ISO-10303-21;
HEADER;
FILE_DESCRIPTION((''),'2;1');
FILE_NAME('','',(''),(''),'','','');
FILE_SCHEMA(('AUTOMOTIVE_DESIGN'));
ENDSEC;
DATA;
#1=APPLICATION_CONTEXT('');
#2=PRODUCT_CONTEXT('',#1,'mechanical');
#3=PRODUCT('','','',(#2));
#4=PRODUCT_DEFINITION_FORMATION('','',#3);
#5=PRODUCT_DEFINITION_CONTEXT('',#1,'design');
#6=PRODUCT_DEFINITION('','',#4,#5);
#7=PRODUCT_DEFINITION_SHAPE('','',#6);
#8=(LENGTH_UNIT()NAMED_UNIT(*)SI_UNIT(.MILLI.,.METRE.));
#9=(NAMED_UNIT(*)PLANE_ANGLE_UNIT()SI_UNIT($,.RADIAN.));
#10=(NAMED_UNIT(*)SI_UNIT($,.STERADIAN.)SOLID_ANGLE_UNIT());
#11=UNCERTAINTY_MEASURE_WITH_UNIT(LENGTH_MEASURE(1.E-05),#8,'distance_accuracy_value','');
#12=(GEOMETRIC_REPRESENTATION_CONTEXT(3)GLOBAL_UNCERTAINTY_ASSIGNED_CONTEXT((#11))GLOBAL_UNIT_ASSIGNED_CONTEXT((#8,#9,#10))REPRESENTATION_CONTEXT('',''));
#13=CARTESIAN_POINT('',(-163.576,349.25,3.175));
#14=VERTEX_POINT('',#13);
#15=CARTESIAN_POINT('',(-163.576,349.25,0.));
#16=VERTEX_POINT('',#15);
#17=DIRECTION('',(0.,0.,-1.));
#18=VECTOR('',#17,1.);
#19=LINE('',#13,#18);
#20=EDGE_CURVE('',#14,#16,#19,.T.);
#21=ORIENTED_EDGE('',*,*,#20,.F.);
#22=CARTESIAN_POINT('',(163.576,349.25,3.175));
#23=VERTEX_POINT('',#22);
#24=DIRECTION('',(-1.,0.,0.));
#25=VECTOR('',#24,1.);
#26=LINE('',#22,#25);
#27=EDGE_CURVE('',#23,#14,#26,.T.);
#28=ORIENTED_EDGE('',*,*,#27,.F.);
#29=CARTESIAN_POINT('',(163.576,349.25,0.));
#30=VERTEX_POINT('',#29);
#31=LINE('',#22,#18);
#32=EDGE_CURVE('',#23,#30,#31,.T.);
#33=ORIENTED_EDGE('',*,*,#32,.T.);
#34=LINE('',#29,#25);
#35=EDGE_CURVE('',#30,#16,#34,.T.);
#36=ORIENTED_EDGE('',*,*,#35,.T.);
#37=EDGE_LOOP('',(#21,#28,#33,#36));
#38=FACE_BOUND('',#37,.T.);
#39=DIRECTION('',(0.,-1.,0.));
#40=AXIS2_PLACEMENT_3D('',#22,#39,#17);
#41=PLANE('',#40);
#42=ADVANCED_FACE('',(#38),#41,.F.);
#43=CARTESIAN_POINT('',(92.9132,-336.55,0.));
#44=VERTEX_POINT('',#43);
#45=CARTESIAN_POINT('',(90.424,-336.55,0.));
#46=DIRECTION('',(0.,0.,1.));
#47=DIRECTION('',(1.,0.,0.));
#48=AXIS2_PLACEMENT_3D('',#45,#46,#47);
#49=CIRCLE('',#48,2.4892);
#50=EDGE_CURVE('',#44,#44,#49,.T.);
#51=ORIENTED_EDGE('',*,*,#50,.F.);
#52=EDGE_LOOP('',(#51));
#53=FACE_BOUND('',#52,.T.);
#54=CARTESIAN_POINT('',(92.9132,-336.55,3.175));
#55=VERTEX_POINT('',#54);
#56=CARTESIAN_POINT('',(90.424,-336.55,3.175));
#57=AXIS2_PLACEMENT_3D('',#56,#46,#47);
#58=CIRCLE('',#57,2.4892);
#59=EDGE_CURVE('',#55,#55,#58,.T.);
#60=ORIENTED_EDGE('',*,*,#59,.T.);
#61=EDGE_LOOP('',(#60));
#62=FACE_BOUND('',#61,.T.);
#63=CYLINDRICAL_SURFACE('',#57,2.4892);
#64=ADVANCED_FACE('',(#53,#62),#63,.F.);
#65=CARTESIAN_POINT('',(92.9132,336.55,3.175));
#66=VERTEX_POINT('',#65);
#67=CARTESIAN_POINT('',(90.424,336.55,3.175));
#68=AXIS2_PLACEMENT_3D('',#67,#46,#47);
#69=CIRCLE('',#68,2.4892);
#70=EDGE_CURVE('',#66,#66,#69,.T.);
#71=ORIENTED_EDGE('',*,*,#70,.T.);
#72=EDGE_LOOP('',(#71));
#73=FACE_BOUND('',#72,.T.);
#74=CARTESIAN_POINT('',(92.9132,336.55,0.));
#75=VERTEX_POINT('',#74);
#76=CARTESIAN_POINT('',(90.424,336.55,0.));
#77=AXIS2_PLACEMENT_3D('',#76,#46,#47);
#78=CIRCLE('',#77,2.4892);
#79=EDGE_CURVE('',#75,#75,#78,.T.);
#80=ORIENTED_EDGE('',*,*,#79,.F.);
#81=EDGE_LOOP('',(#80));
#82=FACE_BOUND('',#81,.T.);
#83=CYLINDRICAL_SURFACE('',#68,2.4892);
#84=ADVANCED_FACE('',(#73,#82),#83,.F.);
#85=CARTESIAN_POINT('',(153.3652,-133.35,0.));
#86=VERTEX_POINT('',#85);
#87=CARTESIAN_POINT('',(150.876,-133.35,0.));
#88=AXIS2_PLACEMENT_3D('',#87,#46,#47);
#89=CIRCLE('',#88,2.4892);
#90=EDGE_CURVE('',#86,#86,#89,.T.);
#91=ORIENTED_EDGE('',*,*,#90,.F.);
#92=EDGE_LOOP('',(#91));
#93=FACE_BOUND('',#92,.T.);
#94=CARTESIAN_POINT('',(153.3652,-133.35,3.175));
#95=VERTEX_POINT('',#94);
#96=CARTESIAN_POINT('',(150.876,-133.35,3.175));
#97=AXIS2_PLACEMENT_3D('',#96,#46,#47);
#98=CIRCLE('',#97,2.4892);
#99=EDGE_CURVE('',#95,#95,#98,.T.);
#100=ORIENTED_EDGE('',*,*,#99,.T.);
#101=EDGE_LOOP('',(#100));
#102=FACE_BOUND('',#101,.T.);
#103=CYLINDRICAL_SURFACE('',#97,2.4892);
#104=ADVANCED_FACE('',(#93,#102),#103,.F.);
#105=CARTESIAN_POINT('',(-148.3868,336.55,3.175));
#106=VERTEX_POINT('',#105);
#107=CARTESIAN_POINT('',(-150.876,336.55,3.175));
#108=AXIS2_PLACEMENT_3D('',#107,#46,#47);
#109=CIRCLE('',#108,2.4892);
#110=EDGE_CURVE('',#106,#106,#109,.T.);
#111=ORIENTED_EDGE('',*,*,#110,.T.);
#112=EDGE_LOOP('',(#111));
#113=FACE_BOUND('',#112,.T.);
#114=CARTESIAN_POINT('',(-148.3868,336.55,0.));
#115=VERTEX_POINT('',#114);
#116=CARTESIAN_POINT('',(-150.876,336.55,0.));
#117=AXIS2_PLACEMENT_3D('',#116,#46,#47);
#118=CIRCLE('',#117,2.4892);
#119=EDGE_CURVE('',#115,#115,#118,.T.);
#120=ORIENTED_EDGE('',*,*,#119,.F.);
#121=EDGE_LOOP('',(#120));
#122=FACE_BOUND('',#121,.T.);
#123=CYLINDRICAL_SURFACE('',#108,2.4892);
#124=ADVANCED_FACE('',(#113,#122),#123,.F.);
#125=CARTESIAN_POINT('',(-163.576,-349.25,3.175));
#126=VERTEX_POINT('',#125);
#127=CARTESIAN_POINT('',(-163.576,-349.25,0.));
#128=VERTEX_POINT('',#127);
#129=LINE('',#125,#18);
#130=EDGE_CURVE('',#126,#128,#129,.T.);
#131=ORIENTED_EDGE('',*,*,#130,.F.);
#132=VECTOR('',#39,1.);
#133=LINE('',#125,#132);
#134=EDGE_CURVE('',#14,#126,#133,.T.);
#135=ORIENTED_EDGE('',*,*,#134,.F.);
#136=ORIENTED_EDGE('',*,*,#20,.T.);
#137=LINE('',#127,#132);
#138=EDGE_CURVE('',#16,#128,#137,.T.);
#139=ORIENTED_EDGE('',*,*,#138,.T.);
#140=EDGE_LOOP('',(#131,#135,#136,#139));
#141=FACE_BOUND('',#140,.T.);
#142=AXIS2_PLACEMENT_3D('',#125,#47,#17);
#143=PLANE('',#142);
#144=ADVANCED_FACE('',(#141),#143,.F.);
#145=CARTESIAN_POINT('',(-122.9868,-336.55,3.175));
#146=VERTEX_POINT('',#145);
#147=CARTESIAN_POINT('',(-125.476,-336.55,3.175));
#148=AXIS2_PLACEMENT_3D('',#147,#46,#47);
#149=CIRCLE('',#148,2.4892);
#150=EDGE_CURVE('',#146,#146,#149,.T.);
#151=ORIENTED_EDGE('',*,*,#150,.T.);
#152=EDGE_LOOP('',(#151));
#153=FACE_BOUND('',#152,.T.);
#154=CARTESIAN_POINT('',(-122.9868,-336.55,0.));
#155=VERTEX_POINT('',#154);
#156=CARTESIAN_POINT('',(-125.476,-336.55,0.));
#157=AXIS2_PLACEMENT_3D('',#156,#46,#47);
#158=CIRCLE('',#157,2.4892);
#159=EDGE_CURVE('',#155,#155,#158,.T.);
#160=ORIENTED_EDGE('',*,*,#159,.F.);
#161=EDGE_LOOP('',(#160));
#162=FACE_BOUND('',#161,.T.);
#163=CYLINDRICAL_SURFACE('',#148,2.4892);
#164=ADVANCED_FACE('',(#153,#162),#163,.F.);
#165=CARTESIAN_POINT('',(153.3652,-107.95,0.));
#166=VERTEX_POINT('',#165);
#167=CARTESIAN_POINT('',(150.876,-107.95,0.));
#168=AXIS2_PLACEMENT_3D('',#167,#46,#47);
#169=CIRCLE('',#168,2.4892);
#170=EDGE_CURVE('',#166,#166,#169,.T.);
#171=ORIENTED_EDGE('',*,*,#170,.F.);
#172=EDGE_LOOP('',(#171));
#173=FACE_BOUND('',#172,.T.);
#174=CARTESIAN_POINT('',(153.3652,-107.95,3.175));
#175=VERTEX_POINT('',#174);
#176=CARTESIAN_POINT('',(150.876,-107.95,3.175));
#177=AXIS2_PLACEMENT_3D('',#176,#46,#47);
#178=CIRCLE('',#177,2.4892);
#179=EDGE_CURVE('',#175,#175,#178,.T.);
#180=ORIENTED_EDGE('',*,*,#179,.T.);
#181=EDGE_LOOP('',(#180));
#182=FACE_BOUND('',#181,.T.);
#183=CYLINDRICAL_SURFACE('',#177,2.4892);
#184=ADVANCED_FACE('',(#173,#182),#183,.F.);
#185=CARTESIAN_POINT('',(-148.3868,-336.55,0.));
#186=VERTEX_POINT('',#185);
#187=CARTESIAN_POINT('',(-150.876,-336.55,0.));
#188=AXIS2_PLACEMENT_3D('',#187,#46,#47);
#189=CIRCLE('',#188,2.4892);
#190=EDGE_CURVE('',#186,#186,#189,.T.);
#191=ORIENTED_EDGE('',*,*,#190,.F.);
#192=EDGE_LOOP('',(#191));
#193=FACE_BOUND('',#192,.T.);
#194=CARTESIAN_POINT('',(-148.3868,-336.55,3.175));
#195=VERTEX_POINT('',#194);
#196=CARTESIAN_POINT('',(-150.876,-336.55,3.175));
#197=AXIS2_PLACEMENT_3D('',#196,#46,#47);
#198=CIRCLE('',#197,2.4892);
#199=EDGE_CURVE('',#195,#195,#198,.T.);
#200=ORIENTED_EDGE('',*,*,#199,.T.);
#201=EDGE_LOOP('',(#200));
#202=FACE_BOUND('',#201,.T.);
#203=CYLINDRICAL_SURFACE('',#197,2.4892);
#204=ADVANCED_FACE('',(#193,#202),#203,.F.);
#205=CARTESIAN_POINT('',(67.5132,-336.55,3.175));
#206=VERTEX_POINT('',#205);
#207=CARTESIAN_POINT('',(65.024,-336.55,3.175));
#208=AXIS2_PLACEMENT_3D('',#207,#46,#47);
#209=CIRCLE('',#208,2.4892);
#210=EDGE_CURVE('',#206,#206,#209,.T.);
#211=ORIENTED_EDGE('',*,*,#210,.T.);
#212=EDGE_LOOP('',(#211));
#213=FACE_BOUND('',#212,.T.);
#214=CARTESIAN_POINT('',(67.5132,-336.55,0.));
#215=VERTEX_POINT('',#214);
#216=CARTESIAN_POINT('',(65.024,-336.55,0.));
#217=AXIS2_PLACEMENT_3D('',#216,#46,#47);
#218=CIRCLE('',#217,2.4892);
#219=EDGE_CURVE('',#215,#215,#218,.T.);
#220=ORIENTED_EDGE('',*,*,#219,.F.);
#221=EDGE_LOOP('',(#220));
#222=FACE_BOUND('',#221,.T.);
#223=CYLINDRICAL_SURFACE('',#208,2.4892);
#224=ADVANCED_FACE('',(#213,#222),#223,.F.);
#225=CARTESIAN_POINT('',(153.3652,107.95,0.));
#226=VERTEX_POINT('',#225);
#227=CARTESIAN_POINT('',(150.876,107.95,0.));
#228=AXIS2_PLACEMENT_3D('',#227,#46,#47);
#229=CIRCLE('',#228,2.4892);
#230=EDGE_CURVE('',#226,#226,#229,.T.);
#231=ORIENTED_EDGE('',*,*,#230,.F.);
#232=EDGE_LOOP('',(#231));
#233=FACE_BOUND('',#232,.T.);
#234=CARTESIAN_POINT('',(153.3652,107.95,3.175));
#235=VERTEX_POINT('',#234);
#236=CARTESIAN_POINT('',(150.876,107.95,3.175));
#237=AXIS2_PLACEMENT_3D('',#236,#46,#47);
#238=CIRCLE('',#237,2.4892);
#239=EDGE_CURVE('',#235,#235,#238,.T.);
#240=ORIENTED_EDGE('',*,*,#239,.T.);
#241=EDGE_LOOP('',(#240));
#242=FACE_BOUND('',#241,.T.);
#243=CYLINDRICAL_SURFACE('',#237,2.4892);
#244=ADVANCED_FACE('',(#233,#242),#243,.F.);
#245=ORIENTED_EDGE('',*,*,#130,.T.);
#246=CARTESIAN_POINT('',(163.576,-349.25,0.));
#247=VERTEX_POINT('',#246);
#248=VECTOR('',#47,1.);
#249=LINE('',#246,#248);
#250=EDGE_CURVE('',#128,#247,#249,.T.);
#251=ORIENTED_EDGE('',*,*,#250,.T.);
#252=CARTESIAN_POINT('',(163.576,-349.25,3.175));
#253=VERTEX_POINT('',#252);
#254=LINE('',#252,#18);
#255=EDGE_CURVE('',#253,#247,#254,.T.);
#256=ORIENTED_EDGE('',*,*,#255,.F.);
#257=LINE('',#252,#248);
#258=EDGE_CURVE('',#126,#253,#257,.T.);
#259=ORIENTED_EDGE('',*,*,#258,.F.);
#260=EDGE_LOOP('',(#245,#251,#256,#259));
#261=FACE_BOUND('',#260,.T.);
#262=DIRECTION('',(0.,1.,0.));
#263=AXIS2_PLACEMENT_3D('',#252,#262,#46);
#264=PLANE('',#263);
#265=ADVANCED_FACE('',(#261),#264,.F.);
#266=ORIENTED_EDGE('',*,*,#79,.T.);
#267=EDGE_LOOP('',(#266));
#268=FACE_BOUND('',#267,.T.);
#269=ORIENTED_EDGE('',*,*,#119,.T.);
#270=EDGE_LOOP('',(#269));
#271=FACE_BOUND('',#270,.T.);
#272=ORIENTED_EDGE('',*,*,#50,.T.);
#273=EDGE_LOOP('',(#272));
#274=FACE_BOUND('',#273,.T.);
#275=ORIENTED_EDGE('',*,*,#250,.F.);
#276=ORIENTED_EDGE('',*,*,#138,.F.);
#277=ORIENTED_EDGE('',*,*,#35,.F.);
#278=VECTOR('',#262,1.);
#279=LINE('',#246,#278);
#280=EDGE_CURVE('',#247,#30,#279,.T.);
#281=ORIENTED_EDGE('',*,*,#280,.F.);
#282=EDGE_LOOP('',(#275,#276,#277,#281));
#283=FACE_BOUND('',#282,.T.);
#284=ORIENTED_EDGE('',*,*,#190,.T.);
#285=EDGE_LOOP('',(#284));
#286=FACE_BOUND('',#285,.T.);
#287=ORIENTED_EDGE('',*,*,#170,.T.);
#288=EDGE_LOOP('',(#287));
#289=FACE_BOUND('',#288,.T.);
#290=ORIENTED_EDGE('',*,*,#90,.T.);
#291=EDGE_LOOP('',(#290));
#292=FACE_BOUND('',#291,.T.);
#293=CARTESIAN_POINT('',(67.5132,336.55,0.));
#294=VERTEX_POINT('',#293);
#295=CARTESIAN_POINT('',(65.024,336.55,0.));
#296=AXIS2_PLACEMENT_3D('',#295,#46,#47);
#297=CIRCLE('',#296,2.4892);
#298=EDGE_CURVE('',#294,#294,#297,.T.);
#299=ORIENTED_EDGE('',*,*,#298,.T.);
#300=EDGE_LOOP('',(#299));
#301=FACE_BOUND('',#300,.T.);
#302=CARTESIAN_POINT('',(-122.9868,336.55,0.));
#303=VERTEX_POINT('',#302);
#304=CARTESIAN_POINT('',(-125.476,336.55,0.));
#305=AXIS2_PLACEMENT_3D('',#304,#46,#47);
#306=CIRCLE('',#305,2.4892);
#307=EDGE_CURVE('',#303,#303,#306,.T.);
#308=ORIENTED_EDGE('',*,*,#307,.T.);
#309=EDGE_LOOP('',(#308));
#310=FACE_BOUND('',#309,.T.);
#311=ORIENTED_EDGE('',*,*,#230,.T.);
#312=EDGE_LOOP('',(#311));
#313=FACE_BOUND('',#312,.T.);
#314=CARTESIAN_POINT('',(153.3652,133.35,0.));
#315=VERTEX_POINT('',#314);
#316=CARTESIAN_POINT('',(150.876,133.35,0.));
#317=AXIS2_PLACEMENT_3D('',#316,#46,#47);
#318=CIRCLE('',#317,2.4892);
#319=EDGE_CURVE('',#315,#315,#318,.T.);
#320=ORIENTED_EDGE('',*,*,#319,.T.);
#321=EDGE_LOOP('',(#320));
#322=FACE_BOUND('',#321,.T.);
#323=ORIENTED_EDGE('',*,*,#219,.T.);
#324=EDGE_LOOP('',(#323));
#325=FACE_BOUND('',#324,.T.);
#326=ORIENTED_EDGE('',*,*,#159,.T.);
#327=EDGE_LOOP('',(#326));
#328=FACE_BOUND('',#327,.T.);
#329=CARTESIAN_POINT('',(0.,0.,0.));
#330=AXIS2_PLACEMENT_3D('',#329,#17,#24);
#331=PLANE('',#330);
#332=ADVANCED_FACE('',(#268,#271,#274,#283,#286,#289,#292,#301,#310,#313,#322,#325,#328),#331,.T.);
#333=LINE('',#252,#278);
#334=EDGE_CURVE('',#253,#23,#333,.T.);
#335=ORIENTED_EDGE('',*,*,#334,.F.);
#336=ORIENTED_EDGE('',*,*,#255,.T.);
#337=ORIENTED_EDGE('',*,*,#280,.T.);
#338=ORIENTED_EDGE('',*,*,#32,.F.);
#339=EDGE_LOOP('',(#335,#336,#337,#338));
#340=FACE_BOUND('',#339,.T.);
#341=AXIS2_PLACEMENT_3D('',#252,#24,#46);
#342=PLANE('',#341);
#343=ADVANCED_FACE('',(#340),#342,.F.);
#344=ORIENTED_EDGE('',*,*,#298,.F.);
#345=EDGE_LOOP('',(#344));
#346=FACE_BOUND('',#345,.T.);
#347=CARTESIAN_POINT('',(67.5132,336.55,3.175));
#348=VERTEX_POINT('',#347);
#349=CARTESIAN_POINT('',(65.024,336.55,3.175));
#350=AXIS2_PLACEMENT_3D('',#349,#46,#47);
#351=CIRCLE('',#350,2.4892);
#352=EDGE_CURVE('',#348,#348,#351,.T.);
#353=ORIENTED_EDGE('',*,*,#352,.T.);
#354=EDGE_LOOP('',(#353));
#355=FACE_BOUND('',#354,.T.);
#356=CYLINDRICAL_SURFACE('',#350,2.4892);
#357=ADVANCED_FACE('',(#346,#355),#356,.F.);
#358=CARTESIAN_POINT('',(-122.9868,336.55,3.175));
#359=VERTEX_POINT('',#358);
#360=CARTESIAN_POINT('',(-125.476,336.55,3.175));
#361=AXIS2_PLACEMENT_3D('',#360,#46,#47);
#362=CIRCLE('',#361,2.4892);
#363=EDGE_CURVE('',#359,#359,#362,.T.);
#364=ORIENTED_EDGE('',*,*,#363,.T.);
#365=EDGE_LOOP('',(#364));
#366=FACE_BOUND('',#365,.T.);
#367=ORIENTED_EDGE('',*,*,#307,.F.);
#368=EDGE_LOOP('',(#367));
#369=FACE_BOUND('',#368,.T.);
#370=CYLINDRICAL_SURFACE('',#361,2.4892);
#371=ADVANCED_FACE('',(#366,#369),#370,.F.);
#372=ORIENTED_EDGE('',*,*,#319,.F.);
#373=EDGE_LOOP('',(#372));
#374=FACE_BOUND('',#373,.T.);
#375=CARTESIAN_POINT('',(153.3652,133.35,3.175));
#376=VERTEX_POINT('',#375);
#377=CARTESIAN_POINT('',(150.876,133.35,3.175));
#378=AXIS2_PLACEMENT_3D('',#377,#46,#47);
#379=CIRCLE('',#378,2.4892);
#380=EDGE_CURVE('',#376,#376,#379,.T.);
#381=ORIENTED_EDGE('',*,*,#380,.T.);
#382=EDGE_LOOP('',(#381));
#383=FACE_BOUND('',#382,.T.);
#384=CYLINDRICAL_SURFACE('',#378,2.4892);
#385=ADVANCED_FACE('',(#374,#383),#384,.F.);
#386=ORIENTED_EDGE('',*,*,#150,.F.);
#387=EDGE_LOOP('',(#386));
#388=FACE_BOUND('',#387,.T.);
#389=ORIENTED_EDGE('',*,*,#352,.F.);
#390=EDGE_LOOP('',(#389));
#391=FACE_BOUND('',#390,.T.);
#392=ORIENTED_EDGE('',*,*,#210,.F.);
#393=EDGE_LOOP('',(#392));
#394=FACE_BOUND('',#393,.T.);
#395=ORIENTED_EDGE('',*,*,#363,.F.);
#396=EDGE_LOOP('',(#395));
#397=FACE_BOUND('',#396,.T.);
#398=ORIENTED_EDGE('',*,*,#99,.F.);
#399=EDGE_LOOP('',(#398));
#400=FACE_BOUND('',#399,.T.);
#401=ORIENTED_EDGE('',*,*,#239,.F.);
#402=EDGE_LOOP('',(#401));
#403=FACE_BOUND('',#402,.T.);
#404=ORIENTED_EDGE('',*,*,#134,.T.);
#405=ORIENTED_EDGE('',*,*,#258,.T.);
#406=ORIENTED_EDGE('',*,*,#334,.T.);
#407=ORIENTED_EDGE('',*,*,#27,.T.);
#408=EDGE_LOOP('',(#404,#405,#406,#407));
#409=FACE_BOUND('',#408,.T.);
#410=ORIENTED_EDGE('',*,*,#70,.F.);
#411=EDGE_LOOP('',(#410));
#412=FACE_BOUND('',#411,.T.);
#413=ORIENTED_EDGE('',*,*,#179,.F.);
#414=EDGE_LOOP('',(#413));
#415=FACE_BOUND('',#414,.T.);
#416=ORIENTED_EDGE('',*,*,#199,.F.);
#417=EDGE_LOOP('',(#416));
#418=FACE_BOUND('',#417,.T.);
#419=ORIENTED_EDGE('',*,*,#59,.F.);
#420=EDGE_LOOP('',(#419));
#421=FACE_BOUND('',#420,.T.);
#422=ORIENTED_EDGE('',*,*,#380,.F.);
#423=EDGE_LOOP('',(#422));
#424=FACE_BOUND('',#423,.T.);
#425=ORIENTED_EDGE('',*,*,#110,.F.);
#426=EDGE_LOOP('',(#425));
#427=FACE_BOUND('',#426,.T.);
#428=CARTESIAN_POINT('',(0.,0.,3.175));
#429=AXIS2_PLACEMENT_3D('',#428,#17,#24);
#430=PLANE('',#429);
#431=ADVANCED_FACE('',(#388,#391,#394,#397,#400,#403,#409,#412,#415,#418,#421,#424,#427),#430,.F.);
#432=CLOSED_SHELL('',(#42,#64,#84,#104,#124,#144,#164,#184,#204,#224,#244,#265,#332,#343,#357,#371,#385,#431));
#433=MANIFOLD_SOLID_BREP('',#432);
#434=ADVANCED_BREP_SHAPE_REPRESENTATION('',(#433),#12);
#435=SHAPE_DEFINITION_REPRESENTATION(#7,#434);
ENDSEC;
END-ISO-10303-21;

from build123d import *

# Parameters (mm, degrees)
SKETCH1_W                  = 698.5
SKETCH1_H                  = 327.152
BOSS_EXTRUDE1_DEPTH        = 3.175
F_9_0_196_DIAMETER_HOLE2_D = 4.9784


with BuildPart() as part:
    # Sketch1 → Boss-Extrude1 (new body)
    with BuildSketch(Plane(origin=(0, 0, 0), x_dir=(0, 1, 0), z_dir=(0, 0, 1))):
        Rectangle(SKETCH1_W, SKETCH1_H)
    extrude(amount=BOSS_EXTRUDE1_DEPTH)

    # #9 (0.196) Diameter Hole2 (through all)
    with Locations(Plane.XY.offset(3.175)):
        with Locations((-150.876, 336.55), (-125.476, 336.55), (65.024, 336.55), (90.424, 336.55), (90.424, -336.55), (65.024, -336.55), (-125.476, -336.55), (-150.876, -336.55), (-371.836153613, -199.719855434), (150.876, 133.35), (150.876, 107.95), (150.876, -107.95), (150.876, -133.35)):
            Hole(F_9_0_196_DIAMETER_HOLE2_D / 2)


solid = part.part
